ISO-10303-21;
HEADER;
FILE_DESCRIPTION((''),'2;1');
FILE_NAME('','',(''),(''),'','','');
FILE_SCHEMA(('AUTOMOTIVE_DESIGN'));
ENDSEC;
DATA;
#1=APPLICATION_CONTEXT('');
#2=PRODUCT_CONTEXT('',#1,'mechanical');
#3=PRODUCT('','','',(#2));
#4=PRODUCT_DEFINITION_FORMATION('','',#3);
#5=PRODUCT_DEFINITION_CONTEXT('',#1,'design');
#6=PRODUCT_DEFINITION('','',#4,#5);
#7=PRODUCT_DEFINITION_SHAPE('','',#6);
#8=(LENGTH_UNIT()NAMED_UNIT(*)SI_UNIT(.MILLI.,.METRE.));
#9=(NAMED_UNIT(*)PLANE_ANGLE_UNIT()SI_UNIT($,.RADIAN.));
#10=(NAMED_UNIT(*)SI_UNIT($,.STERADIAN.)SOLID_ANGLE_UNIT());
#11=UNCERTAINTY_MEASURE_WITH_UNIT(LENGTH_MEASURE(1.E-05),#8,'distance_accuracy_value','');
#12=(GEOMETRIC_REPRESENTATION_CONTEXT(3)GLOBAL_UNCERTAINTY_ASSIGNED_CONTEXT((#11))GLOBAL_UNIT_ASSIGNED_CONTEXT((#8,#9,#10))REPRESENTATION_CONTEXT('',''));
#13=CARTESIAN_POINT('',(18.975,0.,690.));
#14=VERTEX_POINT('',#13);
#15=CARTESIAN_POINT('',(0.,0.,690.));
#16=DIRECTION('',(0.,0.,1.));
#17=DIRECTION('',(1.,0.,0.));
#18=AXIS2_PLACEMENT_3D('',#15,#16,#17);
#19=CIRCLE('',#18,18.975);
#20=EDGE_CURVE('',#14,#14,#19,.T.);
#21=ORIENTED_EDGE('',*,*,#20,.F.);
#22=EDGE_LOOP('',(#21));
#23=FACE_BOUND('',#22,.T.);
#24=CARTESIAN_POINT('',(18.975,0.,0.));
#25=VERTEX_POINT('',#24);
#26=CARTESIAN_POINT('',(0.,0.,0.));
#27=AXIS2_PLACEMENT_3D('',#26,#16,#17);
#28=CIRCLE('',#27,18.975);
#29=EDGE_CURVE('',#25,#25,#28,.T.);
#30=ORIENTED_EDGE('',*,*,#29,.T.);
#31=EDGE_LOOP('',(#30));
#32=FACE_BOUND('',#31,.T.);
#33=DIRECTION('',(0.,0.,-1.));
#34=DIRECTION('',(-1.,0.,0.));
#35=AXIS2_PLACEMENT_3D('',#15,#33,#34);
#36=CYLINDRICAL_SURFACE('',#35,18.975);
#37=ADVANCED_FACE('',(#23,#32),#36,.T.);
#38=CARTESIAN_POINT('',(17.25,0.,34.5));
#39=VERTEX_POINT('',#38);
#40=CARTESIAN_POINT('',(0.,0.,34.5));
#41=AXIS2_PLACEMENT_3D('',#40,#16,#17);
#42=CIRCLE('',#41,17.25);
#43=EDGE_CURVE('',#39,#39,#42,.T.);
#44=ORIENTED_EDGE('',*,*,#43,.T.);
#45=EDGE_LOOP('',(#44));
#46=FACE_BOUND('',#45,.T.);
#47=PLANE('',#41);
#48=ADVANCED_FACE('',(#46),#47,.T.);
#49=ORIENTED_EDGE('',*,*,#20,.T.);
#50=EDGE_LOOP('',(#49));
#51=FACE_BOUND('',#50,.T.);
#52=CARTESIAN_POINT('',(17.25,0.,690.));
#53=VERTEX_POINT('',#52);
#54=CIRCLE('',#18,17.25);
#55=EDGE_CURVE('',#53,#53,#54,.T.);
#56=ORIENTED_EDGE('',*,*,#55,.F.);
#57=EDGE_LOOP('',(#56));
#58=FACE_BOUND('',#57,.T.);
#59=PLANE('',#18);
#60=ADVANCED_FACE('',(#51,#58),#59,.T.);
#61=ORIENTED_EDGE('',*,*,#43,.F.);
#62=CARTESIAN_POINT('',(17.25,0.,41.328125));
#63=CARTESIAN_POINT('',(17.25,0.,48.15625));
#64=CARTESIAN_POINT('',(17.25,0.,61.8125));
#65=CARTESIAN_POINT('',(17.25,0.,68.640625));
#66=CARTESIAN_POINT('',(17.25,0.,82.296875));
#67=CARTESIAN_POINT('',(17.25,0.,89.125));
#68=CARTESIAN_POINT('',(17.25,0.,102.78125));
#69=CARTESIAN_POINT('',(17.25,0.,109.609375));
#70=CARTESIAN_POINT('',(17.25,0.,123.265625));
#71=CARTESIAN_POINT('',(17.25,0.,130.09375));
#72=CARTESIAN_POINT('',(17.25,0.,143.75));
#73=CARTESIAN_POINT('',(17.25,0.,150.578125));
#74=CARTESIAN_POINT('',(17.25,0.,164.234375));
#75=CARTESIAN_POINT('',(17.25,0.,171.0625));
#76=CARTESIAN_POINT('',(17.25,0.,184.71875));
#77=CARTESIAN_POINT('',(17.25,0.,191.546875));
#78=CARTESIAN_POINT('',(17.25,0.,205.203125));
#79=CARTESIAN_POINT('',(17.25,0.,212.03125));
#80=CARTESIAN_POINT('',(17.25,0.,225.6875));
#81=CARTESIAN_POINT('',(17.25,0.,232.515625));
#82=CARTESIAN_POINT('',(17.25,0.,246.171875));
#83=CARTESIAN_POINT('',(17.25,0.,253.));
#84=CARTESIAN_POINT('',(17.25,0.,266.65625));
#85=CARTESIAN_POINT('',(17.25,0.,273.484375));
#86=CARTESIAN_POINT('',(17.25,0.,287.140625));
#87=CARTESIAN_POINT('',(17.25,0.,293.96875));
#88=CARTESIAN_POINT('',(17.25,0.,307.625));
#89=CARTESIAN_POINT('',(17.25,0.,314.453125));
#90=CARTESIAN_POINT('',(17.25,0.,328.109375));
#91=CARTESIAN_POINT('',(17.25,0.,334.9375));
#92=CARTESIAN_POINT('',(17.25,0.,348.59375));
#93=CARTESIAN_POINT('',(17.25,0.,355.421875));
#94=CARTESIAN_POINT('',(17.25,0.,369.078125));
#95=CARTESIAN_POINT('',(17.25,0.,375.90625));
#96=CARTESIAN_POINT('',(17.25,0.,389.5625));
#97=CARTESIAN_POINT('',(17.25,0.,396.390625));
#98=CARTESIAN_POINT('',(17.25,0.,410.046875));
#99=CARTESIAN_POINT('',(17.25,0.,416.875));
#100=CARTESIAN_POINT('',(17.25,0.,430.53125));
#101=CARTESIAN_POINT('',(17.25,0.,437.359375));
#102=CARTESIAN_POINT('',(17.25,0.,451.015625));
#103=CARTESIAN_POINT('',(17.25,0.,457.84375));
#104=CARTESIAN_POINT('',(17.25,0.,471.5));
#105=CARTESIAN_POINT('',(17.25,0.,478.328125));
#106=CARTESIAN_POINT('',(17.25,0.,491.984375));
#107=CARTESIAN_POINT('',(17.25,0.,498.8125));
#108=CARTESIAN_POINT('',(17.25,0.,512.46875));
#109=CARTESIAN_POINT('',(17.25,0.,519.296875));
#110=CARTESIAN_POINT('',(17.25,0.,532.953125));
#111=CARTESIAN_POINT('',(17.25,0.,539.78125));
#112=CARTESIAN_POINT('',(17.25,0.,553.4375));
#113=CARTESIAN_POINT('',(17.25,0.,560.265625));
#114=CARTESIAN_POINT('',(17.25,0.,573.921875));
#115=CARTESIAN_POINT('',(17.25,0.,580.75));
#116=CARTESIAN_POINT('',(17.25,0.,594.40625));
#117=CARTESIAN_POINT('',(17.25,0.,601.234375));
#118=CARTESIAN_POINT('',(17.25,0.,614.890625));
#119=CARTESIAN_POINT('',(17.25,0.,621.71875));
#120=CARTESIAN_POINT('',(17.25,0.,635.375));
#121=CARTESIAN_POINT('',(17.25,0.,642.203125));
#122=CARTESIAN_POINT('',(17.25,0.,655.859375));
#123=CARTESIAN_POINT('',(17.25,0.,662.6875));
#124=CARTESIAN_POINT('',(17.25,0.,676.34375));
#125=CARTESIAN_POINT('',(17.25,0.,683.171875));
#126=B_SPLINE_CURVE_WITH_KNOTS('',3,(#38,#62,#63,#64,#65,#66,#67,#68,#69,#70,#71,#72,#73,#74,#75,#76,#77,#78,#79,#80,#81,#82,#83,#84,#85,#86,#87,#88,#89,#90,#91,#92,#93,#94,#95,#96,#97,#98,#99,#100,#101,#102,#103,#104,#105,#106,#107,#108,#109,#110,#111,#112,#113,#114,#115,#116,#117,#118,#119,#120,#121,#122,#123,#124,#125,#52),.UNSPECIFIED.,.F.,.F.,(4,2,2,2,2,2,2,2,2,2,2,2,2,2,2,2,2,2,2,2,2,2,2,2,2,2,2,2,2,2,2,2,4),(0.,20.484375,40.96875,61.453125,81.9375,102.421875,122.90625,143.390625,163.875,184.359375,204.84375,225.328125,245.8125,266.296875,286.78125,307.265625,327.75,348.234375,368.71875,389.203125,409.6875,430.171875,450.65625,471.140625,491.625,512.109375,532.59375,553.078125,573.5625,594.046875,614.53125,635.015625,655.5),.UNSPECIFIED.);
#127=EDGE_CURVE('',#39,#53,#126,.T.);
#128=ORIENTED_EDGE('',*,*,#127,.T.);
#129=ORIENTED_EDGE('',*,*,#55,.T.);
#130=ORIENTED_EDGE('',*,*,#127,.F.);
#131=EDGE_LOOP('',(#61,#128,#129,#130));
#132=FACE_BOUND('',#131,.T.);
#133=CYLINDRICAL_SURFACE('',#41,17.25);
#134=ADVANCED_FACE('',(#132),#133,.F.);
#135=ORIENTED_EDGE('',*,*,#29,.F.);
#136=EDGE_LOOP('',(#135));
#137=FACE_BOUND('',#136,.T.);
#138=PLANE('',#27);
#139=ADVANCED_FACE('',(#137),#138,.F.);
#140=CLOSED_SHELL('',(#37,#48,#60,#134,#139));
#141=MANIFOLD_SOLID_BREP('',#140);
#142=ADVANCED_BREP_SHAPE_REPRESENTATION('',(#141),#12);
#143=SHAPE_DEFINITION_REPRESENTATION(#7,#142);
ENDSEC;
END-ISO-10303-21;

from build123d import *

# Parameters (mm, degrees)
SKETCH_1_R          = 55
EXTRUDE_1_DEPTH     = 2000
SKETCH_2_R          = 50
CUT_EXTRUDE_1_DEPTH = 1900
SCALE_1_SCALE       = 0.345


with BuildPart() as part:
    # 草图1 → 凸台-拉伸1 (new body)
    with BuildSketch(Plane.XY):
        Circle(SKETCH_1_R)
    extrude(amount=EXTRUDE_1_DEPTH)

    # 草图2 → 切除-拉伸1 (cut)
    with BuildSketch(Plane.XY.offset(2000)):
        Circle(SKETCH_2_R)
    extrude(amount=-CUT_EXTRUDE_1_DEPTH, mode=Mode.SUBTRACT)


with BuildPart() as part_1:
    # 缩放比例1: scaled about (0, 0, 0)
    add(part.part.scale(SCALE_1_SCALE))


solid = part_1.part
